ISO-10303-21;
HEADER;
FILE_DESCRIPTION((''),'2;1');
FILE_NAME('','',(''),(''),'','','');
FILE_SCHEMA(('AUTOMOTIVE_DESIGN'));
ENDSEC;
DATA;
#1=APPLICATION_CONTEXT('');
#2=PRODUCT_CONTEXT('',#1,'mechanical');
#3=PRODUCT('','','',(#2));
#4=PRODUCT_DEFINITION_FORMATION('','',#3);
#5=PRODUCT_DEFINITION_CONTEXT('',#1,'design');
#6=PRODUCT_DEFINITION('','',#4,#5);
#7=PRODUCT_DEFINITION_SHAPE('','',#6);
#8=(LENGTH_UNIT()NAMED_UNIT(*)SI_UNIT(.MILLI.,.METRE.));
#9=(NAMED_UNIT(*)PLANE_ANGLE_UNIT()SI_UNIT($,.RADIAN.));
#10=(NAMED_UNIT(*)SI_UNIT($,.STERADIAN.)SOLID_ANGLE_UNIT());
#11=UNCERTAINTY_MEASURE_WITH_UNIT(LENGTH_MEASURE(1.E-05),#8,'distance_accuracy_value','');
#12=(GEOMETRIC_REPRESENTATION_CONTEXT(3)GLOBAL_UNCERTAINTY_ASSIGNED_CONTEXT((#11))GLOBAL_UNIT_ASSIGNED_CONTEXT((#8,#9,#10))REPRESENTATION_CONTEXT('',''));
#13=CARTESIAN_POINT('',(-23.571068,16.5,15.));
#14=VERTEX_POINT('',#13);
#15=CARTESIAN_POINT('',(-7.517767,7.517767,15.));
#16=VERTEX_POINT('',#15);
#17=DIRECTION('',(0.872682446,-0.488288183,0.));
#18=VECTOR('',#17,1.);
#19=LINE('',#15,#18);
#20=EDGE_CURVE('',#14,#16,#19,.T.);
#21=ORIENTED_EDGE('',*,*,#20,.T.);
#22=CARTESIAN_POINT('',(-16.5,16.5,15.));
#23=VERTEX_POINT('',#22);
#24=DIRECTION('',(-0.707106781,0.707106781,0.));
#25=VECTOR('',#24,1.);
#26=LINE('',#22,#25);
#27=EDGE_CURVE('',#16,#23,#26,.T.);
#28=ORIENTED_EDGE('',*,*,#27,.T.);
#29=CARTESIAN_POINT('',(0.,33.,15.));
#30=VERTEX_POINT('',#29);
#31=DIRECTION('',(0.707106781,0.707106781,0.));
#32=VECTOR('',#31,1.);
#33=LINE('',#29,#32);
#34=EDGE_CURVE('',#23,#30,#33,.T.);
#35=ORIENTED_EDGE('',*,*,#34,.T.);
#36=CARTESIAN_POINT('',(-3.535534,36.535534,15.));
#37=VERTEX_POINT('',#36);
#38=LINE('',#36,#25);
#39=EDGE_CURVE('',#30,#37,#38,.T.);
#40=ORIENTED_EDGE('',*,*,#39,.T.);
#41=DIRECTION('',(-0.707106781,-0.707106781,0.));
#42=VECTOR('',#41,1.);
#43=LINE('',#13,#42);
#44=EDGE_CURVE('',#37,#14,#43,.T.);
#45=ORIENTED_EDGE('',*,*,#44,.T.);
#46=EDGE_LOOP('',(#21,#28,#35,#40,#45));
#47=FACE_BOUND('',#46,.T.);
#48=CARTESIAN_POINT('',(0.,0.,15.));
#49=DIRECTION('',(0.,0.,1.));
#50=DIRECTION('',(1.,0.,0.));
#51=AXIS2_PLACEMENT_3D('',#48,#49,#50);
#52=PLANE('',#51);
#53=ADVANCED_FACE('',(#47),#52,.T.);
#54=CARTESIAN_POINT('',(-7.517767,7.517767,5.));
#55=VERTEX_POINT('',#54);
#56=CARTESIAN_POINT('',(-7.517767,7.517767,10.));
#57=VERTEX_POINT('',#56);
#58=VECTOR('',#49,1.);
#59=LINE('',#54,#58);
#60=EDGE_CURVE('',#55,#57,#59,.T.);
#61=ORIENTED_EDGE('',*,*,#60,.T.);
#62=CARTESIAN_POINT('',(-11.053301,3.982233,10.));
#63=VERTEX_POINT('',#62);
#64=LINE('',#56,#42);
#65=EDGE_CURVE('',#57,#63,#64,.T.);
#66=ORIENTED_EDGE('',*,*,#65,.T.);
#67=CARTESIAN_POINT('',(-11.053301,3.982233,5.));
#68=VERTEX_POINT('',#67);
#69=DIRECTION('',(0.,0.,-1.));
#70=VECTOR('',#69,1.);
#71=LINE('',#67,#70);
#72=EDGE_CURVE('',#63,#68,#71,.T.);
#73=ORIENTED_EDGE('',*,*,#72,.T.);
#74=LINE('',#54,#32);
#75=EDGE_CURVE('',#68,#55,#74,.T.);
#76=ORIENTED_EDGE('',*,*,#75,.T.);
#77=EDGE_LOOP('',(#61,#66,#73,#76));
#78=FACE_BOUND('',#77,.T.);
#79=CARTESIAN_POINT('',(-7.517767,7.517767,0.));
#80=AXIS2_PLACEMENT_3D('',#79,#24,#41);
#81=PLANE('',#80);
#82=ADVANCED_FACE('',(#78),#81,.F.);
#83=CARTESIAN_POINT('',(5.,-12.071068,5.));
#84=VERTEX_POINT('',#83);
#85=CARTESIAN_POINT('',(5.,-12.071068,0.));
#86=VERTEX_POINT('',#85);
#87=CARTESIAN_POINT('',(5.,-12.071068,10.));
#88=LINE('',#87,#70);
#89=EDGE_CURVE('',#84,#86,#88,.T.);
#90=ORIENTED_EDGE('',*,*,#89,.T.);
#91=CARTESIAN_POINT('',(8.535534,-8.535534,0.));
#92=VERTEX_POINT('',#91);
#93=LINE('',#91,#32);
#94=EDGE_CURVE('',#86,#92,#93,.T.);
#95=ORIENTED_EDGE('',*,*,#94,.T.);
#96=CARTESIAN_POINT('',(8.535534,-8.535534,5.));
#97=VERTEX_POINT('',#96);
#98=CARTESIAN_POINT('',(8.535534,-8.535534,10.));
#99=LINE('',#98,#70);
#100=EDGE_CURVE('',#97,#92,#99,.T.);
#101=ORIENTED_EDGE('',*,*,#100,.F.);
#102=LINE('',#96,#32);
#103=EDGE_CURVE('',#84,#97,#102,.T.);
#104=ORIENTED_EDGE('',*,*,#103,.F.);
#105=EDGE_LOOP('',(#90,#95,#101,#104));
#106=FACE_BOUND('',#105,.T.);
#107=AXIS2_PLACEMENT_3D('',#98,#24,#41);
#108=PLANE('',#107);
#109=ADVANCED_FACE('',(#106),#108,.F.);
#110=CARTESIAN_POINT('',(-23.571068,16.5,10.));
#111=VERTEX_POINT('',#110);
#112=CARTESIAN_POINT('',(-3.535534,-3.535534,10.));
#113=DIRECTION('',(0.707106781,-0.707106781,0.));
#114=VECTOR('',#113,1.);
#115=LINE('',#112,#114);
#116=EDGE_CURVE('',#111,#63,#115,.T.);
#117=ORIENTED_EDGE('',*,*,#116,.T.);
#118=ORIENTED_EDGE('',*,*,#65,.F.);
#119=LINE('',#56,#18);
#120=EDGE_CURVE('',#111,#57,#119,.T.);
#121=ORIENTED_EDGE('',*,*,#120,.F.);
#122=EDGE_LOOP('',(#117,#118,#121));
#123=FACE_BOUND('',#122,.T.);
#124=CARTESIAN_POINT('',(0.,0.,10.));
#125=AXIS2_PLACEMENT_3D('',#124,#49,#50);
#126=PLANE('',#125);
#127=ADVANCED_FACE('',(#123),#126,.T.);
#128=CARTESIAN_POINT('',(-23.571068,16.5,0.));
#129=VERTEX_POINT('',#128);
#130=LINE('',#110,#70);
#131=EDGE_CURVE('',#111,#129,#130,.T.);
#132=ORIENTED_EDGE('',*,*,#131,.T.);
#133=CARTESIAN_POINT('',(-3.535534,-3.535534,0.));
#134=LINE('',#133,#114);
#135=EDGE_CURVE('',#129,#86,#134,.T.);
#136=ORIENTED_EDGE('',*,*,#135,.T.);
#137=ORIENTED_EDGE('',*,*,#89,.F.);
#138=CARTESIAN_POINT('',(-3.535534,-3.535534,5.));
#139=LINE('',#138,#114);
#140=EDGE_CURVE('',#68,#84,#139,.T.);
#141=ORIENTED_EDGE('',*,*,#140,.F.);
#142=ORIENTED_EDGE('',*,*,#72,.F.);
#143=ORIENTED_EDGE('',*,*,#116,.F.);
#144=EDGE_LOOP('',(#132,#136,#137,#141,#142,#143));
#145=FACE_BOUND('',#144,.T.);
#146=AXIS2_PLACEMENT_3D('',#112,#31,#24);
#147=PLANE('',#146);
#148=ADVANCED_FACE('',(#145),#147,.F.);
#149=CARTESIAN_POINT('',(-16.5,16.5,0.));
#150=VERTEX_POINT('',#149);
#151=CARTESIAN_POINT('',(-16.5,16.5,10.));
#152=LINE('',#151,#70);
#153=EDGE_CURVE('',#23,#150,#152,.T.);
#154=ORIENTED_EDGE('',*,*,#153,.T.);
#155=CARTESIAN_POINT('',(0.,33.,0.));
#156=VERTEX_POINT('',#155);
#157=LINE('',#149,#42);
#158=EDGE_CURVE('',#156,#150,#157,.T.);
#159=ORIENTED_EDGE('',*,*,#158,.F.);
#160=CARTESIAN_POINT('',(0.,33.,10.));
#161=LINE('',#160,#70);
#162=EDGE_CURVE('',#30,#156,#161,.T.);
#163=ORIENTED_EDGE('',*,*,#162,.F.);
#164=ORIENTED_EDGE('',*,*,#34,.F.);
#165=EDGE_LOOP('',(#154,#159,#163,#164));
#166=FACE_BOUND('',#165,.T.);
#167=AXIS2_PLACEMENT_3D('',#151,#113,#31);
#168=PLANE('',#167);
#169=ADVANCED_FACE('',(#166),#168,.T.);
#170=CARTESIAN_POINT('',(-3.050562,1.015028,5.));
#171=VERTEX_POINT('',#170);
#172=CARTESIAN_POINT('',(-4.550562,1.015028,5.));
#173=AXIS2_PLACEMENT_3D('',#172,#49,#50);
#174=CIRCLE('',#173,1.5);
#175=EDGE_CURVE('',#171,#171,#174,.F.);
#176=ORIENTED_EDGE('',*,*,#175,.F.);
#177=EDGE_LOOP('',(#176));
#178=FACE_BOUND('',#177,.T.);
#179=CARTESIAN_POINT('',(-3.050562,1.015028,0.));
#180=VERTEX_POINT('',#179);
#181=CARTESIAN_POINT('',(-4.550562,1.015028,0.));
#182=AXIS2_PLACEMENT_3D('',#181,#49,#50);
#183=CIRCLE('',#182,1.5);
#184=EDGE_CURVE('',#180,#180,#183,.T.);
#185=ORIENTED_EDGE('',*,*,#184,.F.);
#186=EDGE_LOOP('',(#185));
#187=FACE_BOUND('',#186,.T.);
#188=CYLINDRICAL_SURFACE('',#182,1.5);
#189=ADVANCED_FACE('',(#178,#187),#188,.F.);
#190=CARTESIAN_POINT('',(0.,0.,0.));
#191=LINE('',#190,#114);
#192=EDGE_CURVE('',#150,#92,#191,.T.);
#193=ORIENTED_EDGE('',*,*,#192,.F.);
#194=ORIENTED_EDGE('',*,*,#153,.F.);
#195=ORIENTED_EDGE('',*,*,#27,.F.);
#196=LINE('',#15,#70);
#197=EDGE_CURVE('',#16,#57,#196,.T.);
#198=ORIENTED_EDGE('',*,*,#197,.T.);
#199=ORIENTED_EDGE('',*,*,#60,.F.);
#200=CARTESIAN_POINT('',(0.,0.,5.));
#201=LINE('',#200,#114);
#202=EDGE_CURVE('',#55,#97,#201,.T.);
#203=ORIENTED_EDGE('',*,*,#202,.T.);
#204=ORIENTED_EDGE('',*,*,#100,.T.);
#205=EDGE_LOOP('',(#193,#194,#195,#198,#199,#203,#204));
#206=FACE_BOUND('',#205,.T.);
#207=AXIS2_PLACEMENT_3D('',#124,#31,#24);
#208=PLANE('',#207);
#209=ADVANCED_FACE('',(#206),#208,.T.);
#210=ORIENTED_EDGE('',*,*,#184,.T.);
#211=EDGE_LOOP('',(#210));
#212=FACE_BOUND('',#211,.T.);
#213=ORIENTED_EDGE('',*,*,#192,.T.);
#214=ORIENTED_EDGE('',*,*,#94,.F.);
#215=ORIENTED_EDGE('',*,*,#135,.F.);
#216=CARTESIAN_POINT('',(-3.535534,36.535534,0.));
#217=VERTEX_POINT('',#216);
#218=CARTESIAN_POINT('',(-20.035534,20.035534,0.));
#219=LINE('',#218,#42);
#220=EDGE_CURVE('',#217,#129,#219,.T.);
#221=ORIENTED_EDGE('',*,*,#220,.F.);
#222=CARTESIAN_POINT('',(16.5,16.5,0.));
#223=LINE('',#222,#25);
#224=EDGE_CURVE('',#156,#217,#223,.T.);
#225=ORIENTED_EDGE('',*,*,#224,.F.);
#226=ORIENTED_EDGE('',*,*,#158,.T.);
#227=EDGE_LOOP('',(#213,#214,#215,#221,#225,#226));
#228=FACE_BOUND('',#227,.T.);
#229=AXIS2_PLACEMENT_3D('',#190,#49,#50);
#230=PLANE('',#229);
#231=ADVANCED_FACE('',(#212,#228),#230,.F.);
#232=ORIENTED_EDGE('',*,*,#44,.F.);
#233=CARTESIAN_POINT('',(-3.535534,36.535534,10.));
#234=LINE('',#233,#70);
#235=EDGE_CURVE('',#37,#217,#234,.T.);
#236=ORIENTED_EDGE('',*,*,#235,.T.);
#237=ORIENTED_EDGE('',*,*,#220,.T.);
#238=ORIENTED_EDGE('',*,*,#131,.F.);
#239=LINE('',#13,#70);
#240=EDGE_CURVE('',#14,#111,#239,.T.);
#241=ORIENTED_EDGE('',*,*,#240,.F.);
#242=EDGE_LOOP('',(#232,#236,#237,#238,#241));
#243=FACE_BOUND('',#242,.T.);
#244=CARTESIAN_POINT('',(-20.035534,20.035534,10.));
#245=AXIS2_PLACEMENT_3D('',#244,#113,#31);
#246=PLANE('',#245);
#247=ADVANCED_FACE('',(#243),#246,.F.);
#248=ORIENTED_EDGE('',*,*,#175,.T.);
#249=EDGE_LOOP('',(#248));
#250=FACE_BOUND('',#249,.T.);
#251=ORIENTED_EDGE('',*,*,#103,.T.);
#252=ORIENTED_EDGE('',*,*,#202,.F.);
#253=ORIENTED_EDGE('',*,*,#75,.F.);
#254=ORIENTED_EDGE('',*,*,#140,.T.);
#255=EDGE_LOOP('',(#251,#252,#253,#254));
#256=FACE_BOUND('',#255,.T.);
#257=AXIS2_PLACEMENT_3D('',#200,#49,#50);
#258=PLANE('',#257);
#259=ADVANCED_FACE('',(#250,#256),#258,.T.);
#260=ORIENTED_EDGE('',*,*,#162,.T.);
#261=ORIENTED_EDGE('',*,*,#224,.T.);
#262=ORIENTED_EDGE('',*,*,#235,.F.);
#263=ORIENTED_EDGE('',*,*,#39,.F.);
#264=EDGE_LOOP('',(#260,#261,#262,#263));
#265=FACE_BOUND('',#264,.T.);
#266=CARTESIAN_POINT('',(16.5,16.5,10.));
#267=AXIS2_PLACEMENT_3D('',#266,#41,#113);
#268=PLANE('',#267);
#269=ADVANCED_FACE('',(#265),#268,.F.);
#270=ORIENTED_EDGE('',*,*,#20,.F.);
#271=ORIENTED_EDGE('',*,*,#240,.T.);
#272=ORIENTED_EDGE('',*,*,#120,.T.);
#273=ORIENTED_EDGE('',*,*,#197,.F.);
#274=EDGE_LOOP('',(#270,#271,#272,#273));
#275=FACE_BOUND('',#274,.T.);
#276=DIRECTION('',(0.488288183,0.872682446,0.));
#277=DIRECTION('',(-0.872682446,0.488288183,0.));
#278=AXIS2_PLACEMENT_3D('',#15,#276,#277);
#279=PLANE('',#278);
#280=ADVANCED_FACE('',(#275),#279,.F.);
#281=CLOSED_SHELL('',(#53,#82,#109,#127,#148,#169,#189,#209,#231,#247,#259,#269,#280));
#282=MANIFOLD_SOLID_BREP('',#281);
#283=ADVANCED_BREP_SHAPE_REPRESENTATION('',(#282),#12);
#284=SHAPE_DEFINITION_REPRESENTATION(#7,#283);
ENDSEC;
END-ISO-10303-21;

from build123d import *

# Parameters (mm, degrees)
EXTRUDE_1_DEPTH     = 10
SKETCH_2_R          = 1.5
CUT_EXTRUDE_1_DEPTH = 10
SKETCH_3_R          = 1.5
CUT_EXTRUDE_4_DEPTH = 5
SKETCH_4_W          = 5
SKETCH_4_H          = 5
CUT_EXTRUDE_5_DEPTH = 5
EXTRUDE_2_DEPTH     = 5


with BuildPart() as part:
    # 草图1 → 凸台-拉伸1 (new body)
    with BuildSketch(Plane.XY):
        Polygon((-23.571067812, 16.5), (5, -12.071067812), (8.535533906, -8.535533906), (6.051882873, -6.051882873), (0, 0), (-16.5, 16.5), (0, 33), (-3.535533906, 36.535533906), align=None)
    extrude(amount=EXTRUDE_1_DEPTH)

    # 草图2 → 切除-拉伸1 (cut)
    with BuildSketch(Plane.XY.offset(10)):
        with Locations((-4.550561614, 1.015027708)):
            Circle(SKETCH_2_R)
    extrude(amount=-CUT_EXTRUDE_1_DEPTH, mode=Mode.SUBTRACT)

    # 草图3 → 切除-拉伸4 (cut)
    with BuildSketch(Plane.XY.offset(10)):
        Polygon((-1.596461706, 6.368004388), (-3.982233047, 3.982233047), (8.535533906, -8.535533906), (5, -12.071067812), (-7.517766953, 0.446699141), (-9.33715939, -1.372693296), (6.144235978, -17.323833909), (15.036478659, -7.320060893), align=None)
        Polygon((8.535533906, -8.535533906), (-3.982233047, 3.982233047), (-4.279030417, 3.685435677), (-7.517766953, 0.446699141), (5, -12.071067812), align=None)
        with Locations((-4.550561614, 1.015027708)):
            Circle(SKETCH_3_R, mode=Mode.SUBTRACT)
    extrude(amount=-CUT_EXTRUDE_4_DEPTH, mode=Mode.SUBTRACT)

    # 草图4 → 切除-拉伸5 (cut)
    with BuildSketch(Plane(origin=(-3.982233047, 3.982233047, 0), x_dir=(0, 0, -1), z_dir=(0.707106781, -0.707106781, 0))):
        with Locations((-7.5, -2.5)):
            Rectangle(SKETCH_4_W, SKETCH_4_H)
    extrude(amount=-CUT_EXTRUDE_5_DEPTH, mode=Mode.SUBTRACT)

    # 草图5 → 凸台-拉伸2 (add)
    with BuildSketch(Plane.XY.offset(10)):
        Polygon((-7.517766953, 7.517766953), (-23.571067812, 16.5), (-3.535533906, 36.535533906), (0, 33), (-16.5, 16.5), align=None)
    extrude(amount=EXTRUDE_2_DEPTH)


solid = part.part
